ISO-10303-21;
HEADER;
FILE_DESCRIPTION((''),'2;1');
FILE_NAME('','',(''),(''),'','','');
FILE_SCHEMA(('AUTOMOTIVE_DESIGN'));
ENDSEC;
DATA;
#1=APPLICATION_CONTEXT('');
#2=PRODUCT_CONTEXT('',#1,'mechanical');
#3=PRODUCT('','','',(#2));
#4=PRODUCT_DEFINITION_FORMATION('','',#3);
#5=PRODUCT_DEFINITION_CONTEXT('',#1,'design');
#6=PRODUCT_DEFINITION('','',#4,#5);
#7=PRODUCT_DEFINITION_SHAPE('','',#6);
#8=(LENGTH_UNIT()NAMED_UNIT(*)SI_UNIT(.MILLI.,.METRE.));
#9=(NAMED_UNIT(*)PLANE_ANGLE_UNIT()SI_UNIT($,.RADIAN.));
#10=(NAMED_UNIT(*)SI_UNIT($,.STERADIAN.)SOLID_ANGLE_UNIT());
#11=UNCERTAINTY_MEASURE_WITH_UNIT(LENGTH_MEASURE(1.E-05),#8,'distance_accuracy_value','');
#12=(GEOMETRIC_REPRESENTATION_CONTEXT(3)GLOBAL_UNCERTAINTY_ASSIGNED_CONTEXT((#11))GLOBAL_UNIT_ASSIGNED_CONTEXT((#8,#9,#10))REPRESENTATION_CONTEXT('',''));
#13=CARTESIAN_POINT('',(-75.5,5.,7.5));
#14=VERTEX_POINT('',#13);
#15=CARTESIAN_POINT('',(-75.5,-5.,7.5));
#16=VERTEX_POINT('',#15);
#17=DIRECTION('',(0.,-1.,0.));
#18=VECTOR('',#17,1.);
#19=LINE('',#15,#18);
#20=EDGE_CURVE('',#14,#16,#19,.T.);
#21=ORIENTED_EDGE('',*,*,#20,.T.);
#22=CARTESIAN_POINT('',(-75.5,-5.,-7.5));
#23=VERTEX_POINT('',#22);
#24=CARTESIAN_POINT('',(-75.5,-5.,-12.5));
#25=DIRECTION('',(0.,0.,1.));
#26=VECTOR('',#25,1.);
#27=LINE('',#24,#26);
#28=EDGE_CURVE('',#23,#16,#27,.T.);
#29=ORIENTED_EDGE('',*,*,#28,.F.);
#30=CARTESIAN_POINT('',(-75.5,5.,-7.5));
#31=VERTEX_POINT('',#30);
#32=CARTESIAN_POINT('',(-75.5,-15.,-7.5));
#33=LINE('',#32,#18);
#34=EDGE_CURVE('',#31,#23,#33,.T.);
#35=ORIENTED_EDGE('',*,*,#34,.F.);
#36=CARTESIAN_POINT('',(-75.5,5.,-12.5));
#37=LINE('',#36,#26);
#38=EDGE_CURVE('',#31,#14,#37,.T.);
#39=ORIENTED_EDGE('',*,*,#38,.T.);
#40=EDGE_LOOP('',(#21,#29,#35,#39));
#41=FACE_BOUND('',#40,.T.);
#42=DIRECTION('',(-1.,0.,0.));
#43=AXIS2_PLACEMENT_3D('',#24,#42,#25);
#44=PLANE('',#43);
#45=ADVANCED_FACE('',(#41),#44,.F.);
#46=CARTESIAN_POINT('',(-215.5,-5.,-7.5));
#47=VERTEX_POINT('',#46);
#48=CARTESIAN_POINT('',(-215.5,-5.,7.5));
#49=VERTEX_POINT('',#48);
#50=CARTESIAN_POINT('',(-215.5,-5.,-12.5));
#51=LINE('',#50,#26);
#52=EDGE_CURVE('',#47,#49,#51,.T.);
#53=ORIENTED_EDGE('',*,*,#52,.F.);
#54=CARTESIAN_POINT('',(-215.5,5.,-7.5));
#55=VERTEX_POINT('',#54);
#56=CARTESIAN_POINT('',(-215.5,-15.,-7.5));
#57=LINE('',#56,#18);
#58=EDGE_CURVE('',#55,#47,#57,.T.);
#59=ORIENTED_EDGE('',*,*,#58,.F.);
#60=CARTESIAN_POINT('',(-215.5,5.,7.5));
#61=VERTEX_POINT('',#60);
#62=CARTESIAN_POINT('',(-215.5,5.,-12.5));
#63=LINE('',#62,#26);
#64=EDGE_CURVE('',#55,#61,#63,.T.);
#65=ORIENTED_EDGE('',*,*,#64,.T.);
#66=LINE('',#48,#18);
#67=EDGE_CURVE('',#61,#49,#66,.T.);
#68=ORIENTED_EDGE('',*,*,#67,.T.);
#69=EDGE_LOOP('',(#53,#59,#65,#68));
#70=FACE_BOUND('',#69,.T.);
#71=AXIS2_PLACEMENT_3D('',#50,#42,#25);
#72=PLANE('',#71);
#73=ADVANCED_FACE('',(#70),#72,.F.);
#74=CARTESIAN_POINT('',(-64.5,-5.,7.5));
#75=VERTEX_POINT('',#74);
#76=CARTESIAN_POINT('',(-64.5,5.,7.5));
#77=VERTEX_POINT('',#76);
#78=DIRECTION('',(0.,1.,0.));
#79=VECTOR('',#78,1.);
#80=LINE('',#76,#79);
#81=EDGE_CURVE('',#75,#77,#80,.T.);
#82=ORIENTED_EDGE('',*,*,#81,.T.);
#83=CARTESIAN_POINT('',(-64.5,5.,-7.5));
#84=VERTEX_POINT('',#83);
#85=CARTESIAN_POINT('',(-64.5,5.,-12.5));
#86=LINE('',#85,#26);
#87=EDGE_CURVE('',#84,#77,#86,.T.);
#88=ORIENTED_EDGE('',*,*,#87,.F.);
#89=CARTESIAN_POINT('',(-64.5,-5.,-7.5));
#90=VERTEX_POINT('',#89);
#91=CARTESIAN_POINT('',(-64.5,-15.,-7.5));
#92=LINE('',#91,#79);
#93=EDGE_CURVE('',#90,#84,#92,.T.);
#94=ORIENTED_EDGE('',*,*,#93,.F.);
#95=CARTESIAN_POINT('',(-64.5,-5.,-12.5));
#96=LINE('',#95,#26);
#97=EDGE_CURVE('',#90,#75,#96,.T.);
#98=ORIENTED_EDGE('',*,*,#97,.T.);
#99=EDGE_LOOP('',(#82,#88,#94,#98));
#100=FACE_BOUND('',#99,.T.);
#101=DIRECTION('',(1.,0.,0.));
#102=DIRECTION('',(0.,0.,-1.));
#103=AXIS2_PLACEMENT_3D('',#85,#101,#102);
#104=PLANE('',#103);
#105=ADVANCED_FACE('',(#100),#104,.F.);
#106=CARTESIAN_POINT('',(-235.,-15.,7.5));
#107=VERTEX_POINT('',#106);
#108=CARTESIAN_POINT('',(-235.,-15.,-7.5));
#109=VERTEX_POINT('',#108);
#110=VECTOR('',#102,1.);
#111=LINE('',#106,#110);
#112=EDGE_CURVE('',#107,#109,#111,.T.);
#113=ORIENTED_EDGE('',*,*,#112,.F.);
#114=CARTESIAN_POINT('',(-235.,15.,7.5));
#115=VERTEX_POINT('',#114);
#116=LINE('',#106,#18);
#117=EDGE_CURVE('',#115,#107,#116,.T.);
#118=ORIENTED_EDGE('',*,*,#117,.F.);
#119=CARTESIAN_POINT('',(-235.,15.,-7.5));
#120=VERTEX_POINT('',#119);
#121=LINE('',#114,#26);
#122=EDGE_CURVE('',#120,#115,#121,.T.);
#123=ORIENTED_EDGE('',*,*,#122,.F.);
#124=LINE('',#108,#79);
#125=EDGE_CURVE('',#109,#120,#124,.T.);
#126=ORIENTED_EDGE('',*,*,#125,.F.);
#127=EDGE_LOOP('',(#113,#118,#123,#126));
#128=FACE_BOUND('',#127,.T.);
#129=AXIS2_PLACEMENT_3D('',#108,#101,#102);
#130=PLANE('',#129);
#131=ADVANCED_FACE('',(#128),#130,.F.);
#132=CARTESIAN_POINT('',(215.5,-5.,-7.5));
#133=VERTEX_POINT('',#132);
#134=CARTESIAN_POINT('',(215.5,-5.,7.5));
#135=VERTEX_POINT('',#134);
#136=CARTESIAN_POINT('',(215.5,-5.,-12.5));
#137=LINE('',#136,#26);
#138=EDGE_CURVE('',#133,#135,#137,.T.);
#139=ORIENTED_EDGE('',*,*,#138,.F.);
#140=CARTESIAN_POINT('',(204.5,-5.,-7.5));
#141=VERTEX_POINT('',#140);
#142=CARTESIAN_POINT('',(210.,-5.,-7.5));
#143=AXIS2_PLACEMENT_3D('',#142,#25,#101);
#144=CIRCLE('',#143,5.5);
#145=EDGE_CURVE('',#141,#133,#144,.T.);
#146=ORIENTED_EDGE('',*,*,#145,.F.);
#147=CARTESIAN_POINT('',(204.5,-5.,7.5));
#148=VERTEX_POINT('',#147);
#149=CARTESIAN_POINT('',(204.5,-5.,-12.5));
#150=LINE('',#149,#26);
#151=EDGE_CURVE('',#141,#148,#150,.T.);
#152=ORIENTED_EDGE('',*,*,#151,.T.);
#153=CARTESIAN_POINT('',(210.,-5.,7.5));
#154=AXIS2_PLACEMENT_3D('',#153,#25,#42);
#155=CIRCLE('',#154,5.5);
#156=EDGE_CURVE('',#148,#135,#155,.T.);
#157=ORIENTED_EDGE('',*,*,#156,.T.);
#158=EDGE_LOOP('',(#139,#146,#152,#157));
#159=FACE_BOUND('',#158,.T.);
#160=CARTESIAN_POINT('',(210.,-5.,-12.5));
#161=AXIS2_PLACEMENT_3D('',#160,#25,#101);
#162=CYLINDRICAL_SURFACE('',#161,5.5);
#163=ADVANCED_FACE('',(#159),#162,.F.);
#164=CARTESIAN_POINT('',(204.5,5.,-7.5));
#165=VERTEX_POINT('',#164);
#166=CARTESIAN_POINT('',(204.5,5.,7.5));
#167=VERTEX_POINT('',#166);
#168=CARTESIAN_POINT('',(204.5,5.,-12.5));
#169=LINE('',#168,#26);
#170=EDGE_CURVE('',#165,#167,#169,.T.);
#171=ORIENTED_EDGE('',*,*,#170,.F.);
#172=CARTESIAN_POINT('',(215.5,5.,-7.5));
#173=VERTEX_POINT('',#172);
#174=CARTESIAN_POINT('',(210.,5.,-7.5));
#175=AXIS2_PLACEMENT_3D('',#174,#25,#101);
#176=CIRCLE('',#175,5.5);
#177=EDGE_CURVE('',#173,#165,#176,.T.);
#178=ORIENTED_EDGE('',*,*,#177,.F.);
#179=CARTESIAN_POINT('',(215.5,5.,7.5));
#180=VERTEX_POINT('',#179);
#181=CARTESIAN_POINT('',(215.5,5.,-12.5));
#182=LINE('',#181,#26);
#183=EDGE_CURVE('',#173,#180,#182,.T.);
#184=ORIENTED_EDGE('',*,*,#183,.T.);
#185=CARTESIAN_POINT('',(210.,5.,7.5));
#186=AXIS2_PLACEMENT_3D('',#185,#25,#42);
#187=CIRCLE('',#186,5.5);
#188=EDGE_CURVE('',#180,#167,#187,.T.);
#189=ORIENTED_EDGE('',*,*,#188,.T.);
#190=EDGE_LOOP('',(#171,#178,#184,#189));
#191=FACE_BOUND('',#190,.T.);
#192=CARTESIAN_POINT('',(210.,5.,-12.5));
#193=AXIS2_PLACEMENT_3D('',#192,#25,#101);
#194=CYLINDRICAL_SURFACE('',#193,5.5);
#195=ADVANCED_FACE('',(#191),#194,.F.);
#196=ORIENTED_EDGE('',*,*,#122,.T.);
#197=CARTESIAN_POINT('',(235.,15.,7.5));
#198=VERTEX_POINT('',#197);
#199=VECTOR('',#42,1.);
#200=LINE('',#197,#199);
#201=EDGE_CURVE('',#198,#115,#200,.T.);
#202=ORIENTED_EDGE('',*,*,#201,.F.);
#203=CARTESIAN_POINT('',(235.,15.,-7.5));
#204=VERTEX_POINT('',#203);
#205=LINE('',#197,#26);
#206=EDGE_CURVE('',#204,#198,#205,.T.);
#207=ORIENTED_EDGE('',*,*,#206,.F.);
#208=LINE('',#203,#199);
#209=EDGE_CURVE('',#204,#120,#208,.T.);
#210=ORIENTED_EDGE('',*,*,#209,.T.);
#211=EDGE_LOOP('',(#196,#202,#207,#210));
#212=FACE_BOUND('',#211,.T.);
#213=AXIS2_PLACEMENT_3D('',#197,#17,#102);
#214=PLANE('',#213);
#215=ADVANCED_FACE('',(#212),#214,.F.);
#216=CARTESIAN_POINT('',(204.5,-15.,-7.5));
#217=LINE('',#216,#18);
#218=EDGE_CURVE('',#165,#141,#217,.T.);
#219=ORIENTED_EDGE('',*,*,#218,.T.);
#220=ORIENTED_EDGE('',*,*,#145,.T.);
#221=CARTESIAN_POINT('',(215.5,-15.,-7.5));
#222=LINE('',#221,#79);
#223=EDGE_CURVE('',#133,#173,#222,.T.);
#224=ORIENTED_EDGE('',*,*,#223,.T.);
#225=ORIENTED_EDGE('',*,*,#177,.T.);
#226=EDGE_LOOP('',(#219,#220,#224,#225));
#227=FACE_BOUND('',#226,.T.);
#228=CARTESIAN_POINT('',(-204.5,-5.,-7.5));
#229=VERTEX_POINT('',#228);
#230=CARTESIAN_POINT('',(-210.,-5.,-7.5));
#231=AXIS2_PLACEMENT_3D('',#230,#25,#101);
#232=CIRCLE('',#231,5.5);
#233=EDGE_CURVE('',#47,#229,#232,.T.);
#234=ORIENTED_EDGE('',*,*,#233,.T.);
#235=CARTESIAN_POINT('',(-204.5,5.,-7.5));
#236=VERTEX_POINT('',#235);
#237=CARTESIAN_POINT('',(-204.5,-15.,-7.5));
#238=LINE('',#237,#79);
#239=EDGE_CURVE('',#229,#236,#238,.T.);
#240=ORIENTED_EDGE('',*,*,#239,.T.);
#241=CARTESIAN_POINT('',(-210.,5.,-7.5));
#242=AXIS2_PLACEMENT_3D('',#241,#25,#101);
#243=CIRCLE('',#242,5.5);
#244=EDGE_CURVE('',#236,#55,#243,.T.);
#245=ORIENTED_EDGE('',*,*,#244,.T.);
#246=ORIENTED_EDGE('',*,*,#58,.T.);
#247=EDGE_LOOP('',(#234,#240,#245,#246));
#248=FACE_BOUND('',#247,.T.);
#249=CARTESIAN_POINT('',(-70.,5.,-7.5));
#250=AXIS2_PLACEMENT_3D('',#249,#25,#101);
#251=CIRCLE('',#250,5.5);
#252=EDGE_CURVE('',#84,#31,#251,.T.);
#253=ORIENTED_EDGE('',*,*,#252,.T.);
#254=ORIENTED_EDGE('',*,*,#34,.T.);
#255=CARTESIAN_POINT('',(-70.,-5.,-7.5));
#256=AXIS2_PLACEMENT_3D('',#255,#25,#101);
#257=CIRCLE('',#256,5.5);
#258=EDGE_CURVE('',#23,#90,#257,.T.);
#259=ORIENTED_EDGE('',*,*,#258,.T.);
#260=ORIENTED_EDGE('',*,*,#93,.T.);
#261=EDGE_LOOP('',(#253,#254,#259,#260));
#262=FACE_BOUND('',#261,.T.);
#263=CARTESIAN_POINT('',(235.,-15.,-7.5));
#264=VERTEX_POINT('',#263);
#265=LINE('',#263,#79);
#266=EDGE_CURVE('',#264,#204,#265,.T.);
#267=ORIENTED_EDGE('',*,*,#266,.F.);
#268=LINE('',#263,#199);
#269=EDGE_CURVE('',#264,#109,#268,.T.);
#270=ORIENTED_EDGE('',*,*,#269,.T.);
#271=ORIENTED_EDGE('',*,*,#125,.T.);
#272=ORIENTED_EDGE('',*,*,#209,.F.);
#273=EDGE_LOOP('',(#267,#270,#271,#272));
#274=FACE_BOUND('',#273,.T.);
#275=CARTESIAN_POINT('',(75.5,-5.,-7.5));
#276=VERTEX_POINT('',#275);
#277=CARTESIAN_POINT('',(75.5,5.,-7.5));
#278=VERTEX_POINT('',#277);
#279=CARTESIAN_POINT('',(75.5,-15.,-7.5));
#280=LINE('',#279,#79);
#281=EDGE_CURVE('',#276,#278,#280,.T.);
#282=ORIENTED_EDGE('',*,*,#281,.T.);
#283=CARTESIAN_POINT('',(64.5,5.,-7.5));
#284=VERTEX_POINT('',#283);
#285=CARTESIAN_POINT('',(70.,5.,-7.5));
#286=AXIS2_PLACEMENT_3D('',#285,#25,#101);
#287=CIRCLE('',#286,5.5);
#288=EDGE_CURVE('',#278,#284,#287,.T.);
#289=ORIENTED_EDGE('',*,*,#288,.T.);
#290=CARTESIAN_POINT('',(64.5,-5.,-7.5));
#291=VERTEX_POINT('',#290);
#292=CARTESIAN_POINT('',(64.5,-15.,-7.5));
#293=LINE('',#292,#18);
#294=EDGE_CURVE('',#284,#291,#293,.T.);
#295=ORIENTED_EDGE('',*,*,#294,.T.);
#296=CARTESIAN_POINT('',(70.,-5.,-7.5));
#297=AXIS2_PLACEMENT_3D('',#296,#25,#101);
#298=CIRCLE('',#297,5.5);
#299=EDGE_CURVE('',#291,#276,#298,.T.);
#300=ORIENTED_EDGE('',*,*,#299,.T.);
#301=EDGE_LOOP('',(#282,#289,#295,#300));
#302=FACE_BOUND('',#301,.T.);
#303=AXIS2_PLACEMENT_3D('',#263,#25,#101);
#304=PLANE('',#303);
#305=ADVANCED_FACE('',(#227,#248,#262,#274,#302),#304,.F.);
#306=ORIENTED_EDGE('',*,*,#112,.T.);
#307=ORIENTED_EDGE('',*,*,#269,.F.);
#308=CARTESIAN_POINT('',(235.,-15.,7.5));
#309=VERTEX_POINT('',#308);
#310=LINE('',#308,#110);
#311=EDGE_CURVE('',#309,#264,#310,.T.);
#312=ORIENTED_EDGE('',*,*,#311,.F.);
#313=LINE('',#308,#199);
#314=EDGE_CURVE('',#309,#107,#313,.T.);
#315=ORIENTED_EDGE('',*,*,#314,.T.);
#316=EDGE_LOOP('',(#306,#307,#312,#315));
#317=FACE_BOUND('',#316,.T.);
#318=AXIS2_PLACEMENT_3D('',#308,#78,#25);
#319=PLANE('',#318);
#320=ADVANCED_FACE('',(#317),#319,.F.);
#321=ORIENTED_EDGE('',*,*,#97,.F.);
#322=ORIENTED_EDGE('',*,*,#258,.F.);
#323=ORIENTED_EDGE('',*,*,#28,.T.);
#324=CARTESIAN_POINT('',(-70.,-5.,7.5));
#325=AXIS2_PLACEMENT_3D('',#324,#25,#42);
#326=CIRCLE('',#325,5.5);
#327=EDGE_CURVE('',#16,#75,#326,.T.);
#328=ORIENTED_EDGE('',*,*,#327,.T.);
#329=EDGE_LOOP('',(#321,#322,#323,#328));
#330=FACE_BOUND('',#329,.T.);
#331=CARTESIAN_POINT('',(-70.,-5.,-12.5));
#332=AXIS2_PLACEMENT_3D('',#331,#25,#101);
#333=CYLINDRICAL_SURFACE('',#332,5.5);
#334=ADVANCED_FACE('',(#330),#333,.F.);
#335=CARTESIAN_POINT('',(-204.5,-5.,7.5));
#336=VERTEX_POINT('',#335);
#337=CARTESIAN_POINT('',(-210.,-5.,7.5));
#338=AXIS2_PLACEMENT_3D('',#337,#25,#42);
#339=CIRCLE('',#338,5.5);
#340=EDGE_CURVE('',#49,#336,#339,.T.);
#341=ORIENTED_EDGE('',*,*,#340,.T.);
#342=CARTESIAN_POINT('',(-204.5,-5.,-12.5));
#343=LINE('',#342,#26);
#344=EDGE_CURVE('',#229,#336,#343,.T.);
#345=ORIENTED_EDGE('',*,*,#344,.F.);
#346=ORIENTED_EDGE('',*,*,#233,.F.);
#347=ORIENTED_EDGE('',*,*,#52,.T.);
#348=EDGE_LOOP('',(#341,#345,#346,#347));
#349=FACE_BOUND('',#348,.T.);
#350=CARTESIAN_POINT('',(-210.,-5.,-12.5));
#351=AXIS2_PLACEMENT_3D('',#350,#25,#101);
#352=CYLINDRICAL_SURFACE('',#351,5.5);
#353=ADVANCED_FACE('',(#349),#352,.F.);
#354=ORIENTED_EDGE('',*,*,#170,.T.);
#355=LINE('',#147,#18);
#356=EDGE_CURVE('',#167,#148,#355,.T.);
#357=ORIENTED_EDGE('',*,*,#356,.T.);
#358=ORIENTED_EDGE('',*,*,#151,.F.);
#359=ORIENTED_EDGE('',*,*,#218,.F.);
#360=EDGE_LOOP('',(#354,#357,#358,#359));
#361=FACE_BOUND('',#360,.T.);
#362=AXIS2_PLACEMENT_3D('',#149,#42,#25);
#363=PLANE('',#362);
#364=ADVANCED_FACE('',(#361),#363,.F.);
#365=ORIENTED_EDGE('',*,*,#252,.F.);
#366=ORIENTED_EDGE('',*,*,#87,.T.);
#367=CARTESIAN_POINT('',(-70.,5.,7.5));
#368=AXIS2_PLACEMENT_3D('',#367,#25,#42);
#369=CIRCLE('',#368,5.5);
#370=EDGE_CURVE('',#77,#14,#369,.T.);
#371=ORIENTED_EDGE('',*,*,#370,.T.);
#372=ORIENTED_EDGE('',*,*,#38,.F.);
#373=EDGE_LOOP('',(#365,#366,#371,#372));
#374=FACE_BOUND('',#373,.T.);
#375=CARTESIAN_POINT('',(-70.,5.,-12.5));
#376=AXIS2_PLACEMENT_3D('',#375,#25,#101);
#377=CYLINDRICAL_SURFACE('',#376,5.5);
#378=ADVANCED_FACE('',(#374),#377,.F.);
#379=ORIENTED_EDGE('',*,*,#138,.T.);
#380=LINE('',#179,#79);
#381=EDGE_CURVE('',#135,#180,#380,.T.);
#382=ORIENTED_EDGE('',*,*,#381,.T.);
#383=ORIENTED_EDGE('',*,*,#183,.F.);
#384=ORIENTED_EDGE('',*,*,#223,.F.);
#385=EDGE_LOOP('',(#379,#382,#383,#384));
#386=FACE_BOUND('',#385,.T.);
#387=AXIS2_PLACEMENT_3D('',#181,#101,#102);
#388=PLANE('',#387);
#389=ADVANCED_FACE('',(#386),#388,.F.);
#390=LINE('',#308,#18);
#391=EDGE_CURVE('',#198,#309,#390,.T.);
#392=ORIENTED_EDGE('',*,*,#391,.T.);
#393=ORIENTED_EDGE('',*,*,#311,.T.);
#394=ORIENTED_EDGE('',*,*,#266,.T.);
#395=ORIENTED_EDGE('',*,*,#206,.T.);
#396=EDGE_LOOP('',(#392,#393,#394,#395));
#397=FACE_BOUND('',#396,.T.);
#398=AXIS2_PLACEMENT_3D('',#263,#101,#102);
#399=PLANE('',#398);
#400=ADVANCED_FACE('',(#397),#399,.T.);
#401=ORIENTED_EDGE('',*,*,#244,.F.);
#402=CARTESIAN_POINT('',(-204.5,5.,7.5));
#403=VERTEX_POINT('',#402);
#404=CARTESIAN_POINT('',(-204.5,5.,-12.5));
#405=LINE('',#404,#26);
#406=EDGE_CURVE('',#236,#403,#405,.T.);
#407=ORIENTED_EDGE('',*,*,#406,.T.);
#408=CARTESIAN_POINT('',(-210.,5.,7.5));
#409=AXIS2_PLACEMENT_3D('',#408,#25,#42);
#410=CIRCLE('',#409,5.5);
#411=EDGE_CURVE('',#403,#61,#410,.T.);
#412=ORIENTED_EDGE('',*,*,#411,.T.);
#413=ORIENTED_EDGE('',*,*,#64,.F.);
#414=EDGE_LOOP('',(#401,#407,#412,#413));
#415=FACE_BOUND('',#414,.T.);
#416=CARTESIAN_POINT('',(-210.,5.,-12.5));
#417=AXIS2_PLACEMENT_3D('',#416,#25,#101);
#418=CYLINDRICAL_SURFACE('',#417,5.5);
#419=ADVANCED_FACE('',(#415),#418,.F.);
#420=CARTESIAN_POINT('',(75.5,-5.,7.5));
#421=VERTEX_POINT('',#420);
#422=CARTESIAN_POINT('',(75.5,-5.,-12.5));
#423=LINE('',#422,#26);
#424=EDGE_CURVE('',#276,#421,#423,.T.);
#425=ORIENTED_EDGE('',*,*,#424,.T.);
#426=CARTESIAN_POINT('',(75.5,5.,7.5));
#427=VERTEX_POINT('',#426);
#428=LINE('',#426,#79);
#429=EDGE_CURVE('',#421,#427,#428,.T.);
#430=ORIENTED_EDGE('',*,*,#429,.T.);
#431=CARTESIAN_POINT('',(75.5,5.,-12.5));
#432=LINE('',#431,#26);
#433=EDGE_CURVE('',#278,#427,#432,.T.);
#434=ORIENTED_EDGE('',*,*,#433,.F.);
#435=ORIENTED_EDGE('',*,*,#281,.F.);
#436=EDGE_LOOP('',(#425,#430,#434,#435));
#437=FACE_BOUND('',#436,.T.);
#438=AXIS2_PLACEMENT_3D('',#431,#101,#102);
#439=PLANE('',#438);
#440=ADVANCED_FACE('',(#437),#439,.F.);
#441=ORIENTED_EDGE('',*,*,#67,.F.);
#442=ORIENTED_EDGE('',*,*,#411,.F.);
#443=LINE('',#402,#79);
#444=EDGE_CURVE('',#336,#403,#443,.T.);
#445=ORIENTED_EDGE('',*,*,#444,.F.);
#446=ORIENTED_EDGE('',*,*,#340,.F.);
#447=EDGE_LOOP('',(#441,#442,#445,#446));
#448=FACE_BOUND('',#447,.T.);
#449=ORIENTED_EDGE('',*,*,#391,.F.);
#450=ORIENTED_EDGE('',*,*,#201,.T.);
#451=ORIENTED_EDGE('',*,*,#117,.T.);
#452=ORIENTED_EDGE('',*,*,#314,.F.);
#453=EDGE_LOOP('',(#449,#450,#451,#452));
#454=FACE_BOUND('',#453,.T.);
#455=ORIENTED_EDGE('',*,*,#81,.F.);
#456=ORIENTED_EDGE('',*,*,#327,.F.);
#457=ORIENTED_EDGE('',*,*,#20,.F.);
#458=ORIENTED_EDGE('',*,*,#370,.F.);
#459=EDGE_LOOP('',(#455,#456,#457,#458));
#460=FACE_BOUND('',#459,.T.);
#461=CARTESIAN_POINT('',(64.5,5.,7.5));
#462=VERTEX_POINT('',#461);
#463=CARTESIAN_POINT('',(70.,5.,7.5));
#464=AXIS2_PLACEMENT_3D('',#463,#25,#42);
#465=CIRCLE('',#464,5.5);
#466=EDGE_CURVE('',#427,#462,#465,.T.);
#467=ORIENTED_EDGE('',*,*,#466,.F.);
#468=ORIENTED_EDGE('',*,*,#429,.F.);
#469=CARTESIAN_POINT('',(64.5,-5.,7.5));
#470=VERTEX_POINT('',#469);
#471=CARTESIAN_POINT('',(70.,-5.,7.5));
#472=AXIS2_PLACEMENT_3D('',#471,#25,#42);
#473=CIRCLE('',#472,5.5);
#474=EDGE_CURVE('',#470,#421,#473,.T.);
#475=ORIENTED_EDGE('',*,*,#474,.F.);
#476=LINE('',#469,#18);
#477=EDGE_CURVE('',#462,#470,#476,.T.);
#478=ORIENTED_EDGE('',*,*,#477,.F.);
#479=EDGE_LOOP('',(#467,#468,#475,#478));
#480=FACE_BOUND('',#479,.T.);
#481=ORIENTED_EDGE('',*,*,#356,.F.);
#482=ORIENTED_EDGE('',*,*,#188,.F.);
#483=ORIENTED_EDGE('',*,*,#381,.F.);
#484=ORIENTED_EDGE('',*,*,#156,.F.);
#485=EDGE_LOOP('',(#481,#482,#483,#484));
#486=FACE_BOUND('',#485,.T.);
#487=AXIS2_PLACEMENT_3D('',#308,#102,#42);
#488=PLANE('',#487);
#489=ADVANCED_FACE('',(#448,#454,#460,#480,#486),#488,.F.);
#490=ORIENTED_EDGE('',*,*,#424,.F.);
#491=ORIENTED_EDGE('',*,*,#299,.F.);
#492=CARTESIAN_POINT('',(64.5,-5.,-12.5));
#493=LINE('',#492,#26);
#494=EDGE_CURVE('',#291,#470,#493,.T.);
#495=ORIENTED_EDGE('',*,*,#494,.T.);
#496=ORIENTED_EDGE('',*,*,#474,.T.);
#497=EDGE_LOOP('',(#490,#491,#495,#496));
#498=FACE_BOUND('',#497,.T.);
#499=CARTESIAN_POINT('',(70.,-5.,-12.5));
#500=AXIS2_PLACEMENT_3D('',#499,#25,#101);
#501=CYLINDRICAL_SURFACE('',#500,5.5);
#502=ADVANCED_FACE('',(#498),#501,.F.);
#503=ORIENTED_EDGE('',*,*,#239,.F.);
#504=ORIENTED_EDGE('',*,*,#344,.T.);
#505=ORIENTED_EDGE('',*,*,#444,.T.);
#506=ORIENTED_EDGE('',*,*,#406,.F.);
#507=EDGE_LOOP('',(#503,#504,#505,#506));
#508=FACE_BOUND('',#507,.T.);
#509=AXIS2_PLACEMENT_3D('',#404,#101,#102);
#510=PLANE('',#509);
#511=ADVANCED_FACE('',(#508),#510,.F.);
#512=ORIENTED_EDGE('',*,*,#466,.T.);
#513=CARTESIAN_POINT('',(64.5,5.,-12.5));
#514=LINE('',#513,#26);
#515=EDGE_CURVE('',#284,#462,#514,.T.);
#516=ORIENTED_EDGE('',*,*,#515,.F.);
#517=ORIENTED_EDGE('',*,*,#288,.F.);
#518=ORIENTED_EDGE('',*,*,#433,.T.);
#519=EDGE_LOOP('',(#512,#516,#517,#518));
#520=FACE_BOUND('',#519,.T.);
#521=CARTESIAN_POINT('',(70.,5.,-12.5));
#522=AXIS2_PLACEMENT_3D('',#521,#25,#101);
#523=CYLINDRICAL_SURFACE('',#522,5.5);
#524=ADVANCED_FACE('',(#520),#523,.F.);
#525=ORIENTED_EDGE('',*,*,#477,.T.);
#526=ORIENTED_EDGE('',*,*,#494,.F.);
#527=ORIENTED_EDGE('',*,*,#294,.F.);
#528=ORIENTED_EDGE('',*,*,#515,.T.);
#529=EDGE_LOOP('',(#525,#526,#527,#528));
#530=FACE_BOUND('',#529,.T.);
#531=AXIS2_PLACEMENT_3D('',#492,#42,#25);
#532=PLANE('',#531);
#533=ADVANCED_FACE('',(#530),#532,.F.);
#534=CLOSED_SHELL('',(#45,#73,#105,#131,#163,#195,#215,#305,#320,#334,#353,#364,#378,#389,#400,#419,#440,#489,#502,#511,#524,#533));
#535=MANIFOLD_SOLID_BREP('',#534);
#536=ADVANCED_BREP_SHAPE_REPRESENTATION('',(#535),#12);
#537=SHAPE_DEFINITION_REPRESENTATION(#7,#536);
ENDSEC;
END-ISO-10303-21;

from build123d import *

# Parameters (mm, degrees)
PLAT_W                      = 30
PLAT_H                      = 15
EL_MENT_M_CANO_SOUD_1_DEPTH = 470
ENL_V_MAT_EXTRU_2_DEPTH     = 20
R_P_TITION_LIN_AIRE1_COUNT  = 4
R_P_TITION_LIN_AIRE1_PITCH  = 140


with BuildPart() as part:
    # plat → Elément mécano-soudé1 (new body)
    with BuildSketch(Plane.YZ.offset(-235)):
        Rectangle(PLAT_W, PLAT_H)
    extrude(amount=EL_MENT_M_CANO_SOUD_1_DEPTH)

    # Esquisse7 → Enlèv. mat.-Extru.2 (cut)
    with BuildSketch(Plane.XY.offset(7.5)):
        with BuildLine():
            Line((-215.5, -5), (-215.5, 5))
            ThreePointArc((-215.5, 5), (-210, 10.5), (-204.5, 5))
            Line((-204.5, 5), (-204.5, -5))
            ThreePointArc((-204.5, -5), (-210, -10.5), (-215.5, -5))
        make_face()
    enl_v_mat_extru_2 = extrude(amount=-ENL_V_MAT_EXTRU_2_DEPTH, mode=Mode.SUBTRACT)

    # Répétition linéaire1: Enlèv. mat.-Extru.2 ×4
    with Locations(*[(i * R_P_TITION_LIN_AIRE1_PITCH, 0, 0) for i in range(1, R_P_TITION_LIN_AIRE1_COUNT)]):
        add(enl_v_mat_extru_2, mode=Mode.SUBTRACT)


solid = part.part
